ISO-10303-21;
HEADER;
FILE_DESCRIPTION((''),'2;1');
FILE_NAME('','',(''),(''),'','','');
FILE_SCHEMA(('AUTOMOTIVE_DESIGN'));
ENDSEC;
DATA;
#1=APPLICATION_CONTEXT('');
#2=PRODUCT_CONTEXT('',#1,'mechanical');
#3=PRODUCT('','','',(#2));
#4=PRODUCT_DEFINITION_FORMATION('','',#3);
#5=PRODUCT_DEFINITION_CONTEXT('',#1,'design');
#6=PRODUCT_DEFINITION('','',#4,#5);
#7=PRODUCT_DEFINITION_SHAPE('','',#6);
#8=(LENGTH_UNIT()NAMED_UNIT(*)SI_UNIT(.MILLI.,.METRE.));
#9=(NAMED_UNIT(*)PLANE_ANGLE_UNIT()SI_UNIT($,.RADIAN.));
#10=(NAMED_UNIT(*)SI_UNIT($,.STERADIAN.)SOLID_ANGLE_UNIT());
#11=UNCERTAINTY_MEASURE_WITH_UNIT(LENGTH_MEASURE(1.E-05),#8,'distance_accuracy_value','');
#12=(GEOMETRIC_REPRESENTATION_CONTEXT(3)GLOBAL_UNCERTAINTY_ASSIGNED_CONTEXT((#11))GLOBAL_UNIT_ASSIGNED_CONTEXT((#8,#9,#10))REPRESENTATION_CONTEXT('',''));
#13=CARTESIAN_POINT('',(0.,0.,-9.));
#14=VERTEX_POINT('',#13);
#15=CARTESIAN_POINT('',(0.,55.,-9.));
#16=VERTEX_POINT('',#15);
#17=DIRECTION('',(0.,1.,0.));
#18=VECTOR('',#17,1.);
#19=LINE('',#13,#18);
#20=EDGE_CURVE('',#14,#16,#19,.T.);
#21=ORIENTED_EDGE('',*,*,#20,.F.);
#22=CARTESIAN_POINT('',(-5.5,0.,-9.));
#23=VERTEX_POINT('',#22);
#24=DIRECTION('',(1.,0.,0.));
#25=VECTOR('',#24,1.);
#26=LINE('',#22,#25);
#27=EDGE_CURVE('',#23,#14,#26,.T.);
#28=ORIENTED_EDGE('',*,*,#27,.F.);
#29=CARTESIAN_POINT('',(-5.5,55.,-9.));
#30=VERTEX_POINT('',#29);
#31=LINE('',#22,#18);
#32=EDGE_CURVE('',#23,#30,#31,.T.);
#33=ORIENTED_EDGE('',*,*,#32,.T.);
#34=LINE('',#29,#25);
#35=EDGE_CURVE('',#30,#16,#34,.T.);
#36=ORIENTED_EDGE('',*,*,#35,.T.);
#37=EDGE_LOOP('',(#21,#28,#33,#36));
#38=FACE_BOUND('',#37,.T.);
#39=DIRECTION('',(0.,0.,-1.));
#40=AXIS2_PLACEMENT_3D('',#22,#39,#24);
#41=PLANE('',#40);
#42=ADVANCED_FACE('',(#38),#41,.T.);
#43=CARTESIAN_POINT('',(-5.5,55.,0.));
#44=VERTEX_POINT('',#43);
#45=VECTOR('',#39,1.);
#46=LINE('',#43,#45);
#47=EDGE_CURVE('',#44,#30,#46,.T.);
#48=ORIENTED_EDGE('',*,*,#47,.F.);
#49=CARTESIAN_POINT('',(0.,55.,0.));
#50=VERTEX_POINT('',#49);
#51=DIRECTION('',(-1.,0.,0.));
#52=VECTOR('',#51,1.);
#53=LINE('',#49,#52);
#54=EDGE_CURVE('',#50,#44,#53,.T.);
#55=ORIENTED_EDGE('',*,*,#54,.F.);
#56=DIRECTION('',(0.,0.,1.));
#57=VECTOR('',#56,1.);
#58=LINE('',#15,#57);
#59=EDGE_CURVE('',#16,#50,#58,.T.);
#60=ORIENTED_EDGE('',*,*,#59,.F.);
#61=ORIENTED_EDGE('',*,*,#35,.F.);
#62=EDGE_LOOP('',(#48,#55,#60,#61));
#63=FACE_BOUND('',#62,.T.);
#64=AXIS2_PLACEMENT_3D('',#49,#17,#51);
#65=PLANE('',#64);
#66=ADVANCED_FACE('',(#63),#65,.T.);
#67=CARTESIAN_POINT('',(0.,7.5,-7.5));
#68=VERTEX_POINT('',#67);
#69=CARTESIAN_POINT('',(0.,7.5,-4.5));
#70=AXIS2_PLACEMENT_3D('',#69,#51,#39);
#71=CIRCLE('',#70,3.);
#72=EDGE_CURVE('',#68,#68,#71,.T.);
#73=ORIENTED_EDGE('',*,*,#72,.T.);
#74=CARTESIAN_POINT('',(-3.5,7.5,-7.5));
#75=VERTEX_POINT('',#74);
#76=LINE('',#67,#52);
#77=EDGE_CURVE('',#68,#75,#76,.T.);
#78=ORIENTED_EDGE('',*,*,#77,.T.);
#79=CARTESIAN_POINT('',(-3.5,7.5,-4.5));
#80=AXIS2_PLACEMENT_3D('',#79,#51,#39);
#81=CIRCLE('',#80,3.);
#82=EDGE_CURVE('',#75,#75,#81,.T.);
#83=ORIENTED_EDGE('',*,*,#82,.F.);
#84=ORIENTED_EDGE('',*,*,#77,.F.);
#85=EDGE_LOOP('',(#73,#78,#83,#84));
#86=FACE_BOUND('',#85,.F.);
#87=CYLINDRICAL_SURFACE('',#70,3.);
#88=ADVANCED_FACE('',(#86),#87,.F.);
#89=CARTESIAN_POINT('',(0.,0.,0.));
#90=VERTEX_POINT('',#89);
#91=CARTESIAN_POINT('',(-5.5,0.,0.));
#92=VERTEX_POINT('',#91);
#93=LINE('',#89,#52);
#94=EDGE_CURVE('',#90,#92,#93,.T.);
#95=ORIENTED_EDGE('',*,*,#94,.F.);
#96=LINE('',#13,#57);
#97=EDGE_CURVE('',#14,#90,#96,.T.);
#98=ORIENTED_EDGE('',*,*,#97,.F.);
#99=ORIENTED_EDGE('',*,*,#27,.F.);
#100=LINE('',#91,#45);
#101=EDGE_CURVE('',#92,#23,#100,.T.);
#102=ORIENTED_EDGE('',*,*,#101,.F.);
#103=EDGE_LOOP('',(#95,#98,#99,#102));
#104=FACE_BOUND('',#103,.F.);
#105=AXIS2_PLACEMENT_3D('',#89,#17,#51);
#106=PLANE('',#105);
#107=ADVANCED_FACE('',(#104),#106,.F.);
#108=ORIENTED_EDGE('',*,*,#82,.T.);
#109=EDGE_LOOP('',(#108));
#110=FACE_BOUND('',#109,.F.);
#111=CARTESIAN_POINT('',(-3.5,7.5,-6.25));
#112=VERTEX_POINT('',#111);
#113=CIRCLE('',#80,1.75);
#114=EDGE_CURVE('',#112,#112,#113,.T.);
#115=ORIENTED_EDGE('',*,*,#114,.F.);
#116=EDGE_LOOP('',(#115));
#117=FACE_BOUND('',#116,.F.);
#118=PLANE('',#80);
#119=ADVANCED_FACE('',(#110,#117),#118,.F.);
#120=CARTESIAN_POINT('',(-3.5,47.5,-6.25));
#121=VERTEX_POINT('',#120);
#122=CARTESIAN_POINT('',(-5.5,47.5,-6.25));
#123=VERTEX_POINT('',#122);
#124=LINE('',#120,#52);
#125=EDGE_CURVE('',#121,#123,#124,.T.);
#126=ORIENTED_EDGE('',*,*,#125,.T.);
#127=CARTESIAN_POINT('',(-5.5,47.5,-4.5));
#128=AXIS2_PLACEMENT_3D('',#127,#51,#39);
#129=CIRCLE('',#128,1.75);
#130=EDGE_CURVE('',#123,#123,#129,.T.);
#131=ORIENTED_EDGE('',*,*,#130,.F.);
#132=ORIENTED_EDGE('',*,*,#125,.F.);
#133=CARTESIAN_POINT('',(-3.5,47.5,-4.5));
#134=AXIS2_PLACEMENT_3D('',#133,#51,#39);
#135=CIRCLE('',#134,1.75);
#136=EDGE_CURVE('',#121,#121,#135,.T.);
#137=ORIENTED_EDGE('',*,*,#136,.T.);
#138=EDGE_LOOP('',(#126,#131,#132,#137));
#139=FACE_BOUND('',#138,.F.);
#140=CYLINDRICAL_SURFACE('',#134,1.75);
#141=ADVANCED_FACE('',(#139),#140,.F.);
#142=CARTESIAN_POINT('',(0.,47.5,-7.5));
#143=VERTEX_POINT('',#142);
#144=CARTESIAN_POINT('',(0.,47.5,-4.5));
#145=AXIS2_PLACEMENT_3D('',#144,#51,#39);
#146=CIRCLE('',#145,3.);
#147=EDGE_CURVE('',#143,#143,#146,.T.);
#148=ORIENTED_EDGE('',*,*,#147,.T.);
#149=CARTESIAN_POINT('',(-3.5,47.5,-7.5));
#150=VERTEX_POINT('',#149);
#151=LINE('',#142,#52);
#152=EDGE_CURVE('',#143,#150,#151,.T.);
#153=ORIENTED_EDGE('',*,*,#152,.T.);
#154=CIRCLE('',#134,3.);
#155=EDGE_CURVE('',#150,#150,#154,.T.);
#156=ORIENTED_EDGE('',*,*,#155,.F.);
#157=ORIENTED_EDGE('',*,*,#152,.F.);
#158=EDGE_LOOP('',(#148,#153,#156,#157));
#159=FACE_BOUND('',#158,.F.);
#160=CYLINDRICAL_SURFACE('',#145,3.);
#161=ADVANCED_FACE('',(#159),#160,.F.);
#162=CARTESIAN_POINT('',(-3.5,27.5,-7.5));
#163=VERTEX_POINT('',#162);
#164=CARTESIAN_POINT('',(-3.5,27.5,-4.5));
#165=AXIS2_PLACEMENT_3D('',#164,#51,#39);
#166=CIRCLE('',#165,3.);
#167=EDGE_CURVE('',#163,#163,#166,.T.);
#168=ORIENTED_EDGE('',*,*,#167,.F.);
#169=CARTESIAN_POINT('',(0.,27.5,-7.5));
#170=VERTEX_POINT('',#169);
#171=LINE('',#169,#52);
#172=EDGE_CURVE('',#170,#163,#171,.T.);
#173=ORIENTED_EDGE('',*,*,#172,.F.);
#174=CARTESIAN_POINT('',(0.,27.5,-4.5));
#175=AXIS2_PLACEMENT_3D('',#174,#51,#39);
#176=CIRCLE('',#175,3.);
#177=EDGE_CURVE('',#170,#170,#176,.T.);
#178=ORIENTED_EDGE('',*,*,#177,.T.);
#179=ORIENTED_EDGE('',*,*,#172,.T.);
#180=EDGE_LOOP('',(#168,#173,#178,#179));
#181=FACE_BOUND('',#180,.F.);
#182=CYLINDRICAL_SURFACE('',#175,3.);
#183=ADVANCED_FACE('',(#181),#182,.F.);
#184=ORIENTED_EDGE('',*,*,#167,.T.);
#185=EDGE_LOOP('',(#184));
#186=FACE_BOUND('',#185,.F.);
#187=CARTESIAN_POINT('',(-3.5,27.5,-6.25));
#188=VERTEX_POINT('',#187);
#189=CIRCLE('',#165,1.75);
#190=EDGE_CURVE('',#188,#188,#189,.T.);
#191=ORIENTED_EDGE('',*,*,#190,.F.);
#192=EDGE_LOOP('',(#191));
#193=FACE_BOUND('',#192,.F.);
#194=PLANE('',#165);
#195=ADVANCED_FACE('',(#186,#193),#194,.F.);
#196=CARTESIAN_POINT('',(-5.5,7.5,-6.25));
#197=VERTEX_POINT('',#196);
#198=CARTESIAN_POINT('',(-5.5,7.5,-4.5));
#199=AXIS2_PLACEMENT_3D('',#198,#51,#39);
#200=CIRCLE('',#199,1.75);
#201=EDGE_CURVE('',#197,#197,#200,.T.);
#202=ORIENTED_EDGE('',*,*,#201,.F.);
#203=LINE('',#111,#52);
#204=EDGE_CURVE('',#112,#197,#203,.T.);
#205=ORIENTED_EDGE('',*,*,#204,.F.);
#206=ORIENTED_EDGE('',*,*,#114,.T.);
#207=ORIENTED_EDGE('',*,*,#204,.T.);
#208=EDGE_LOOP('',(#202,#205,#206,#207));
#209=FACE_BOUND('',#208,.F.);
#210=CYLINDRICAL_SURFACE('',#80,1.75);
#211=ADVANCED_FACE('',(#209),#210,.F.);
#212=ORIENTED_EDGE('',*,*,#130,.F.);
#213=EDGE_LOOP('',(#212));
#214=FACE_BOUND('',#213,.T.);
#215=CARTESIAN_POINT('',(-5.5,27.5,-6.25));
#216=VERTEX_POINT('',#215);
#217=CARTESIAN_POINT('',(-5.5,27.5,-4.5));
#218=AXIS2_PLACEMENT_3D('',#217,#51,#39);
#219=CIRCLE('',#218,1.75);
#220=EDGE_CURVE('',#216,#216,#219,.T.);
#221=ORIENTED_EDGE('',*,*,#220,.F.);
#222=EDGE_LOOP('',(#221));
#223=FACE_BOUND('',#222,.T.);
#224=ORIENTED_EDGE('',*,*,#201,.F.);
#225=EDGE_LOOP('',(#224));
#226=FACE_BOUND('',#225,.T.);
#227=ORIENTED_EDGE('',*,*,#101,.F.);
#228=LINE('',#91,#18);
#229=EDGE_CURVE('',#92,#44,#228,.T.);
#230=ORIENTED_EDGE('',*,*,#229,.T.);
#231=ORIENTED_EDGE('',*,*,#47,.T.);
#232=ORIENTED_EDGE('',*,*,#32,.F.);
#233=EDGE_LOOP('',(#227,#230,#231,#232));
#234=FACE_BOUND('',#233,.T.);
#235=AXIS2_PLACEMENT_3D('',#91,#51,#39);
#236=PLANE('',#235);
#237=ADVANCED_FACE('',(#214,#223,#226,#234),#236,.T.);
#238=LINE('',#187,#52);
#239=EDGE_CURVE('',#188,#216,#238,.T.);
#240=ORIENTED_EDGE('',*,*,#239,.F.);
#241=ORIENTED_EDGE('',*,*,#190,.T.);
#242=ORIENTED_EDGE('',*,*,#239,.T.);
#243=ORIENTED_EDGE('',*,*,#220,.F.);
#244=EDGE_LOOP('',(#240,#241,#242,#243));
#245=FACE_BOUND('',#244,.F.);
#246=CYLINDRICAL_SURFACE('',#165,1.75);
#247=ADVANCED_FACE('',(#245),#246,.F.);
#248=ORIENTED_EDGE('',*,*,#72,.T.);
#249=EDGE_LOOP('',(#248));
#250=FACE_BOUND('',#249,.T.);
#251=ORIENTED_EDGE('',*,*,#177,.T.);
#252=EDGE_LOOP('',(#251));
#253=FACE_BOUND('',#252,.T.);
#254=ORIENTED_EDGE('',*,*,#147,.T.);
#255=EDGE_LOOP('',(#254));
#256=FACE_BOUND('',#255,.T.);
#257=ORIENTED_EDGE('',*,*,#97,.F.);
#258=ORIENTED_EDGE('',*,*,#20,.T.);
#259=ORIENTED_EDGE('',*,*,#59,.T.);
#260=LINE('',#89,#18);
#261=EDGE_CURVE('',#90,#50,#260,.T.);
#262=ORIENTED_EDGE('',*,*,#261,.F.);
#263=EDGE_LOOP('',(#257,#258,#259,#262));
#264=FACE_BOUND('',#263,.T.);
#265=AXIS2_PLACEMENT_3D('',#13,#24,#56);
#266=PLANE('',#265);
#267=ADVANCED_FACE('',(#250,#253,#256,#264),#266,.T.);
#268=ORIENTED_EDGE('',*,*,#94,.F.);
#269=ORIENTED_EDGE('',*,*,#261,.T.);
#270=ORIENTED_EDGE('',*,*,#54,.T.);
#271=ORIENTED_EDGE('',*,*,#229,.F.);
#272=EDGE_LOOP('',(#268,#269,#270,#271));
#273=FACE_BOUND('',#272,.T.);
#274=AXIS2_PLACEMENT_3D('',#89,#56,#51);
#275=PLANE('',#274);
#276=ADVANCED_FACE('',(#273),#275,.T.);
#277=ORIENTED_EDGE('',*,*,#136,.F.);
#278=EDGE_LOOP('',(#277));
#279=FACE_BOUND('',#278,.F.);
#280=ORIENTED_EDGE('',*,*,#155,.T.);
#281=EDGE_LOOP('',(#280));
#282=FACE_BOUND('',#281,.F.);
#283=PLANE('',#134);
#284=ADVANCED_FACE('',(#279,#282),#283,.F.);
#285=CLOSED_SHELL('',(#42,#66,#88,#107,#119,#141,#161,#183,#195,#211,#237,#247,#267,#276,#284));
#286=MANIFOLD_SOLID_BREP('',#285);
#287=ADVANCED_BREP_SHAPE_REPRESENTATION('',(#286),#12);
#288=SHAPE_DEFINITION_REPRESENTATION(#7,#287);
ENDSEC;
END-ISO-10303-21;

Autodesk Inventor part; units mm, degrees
ref_plane "YZ Plane" through (0, 0, 0) normal (1, 0, 0) x (0, 1, 0)
ref_plane "XZ Plane" through (0, 0, 0) normal (0, 1, 0) x (-1, 0, 0)
ref_plane "XY Plane" through (0, 0, 0) normal (0, 0, 1) x (1, 0, 0)
sketch "スケッチ1" plane through (0, 0, 0) normal (0, 1, 0) x (-1, 0, 0)
  line L0 (0, 0) -> (5.5, 0)
  line L1 (5.5, 0) -> (5.5, -9)
  line L2 (5.5, -9) -> (0, -9)
  line L3 (0, -9) -> (0, 0)
  dimension "d0" = 5.5
  dimension "d1" = 9
extrude "押し出し1" add sketch "スケッチ1" along normal blind 55
sketch "スケッチ2" plane through (0, 0, 0) normal (1, 0, 0) x (0, 0, -1)
  line L0 (0, 55) -> (9, 55) projected
  line L1 (4.5, 55) -> (4.5, 0)
  line L2 (9, 0) -> (0, 0) projected
  point P0 (4.5, 27.5)
  point P1 (4.5, 47.5)
  point P2 (4.5, 7.5)
  dimension "d4" = 27.5
  dimension "d5" = 20
  dimension "d6" = 20
hole "穴1" at (0, 27.5, -4.5) at (0, 47.5, -4.5) at (0, 7.5, -4.5) direction (-1, 0, 0) diameter 3.5 depth 8 tip angle 118 counterbore diameter 6 counterbore depth 3.5
properties part number "rail_SSEB10"
